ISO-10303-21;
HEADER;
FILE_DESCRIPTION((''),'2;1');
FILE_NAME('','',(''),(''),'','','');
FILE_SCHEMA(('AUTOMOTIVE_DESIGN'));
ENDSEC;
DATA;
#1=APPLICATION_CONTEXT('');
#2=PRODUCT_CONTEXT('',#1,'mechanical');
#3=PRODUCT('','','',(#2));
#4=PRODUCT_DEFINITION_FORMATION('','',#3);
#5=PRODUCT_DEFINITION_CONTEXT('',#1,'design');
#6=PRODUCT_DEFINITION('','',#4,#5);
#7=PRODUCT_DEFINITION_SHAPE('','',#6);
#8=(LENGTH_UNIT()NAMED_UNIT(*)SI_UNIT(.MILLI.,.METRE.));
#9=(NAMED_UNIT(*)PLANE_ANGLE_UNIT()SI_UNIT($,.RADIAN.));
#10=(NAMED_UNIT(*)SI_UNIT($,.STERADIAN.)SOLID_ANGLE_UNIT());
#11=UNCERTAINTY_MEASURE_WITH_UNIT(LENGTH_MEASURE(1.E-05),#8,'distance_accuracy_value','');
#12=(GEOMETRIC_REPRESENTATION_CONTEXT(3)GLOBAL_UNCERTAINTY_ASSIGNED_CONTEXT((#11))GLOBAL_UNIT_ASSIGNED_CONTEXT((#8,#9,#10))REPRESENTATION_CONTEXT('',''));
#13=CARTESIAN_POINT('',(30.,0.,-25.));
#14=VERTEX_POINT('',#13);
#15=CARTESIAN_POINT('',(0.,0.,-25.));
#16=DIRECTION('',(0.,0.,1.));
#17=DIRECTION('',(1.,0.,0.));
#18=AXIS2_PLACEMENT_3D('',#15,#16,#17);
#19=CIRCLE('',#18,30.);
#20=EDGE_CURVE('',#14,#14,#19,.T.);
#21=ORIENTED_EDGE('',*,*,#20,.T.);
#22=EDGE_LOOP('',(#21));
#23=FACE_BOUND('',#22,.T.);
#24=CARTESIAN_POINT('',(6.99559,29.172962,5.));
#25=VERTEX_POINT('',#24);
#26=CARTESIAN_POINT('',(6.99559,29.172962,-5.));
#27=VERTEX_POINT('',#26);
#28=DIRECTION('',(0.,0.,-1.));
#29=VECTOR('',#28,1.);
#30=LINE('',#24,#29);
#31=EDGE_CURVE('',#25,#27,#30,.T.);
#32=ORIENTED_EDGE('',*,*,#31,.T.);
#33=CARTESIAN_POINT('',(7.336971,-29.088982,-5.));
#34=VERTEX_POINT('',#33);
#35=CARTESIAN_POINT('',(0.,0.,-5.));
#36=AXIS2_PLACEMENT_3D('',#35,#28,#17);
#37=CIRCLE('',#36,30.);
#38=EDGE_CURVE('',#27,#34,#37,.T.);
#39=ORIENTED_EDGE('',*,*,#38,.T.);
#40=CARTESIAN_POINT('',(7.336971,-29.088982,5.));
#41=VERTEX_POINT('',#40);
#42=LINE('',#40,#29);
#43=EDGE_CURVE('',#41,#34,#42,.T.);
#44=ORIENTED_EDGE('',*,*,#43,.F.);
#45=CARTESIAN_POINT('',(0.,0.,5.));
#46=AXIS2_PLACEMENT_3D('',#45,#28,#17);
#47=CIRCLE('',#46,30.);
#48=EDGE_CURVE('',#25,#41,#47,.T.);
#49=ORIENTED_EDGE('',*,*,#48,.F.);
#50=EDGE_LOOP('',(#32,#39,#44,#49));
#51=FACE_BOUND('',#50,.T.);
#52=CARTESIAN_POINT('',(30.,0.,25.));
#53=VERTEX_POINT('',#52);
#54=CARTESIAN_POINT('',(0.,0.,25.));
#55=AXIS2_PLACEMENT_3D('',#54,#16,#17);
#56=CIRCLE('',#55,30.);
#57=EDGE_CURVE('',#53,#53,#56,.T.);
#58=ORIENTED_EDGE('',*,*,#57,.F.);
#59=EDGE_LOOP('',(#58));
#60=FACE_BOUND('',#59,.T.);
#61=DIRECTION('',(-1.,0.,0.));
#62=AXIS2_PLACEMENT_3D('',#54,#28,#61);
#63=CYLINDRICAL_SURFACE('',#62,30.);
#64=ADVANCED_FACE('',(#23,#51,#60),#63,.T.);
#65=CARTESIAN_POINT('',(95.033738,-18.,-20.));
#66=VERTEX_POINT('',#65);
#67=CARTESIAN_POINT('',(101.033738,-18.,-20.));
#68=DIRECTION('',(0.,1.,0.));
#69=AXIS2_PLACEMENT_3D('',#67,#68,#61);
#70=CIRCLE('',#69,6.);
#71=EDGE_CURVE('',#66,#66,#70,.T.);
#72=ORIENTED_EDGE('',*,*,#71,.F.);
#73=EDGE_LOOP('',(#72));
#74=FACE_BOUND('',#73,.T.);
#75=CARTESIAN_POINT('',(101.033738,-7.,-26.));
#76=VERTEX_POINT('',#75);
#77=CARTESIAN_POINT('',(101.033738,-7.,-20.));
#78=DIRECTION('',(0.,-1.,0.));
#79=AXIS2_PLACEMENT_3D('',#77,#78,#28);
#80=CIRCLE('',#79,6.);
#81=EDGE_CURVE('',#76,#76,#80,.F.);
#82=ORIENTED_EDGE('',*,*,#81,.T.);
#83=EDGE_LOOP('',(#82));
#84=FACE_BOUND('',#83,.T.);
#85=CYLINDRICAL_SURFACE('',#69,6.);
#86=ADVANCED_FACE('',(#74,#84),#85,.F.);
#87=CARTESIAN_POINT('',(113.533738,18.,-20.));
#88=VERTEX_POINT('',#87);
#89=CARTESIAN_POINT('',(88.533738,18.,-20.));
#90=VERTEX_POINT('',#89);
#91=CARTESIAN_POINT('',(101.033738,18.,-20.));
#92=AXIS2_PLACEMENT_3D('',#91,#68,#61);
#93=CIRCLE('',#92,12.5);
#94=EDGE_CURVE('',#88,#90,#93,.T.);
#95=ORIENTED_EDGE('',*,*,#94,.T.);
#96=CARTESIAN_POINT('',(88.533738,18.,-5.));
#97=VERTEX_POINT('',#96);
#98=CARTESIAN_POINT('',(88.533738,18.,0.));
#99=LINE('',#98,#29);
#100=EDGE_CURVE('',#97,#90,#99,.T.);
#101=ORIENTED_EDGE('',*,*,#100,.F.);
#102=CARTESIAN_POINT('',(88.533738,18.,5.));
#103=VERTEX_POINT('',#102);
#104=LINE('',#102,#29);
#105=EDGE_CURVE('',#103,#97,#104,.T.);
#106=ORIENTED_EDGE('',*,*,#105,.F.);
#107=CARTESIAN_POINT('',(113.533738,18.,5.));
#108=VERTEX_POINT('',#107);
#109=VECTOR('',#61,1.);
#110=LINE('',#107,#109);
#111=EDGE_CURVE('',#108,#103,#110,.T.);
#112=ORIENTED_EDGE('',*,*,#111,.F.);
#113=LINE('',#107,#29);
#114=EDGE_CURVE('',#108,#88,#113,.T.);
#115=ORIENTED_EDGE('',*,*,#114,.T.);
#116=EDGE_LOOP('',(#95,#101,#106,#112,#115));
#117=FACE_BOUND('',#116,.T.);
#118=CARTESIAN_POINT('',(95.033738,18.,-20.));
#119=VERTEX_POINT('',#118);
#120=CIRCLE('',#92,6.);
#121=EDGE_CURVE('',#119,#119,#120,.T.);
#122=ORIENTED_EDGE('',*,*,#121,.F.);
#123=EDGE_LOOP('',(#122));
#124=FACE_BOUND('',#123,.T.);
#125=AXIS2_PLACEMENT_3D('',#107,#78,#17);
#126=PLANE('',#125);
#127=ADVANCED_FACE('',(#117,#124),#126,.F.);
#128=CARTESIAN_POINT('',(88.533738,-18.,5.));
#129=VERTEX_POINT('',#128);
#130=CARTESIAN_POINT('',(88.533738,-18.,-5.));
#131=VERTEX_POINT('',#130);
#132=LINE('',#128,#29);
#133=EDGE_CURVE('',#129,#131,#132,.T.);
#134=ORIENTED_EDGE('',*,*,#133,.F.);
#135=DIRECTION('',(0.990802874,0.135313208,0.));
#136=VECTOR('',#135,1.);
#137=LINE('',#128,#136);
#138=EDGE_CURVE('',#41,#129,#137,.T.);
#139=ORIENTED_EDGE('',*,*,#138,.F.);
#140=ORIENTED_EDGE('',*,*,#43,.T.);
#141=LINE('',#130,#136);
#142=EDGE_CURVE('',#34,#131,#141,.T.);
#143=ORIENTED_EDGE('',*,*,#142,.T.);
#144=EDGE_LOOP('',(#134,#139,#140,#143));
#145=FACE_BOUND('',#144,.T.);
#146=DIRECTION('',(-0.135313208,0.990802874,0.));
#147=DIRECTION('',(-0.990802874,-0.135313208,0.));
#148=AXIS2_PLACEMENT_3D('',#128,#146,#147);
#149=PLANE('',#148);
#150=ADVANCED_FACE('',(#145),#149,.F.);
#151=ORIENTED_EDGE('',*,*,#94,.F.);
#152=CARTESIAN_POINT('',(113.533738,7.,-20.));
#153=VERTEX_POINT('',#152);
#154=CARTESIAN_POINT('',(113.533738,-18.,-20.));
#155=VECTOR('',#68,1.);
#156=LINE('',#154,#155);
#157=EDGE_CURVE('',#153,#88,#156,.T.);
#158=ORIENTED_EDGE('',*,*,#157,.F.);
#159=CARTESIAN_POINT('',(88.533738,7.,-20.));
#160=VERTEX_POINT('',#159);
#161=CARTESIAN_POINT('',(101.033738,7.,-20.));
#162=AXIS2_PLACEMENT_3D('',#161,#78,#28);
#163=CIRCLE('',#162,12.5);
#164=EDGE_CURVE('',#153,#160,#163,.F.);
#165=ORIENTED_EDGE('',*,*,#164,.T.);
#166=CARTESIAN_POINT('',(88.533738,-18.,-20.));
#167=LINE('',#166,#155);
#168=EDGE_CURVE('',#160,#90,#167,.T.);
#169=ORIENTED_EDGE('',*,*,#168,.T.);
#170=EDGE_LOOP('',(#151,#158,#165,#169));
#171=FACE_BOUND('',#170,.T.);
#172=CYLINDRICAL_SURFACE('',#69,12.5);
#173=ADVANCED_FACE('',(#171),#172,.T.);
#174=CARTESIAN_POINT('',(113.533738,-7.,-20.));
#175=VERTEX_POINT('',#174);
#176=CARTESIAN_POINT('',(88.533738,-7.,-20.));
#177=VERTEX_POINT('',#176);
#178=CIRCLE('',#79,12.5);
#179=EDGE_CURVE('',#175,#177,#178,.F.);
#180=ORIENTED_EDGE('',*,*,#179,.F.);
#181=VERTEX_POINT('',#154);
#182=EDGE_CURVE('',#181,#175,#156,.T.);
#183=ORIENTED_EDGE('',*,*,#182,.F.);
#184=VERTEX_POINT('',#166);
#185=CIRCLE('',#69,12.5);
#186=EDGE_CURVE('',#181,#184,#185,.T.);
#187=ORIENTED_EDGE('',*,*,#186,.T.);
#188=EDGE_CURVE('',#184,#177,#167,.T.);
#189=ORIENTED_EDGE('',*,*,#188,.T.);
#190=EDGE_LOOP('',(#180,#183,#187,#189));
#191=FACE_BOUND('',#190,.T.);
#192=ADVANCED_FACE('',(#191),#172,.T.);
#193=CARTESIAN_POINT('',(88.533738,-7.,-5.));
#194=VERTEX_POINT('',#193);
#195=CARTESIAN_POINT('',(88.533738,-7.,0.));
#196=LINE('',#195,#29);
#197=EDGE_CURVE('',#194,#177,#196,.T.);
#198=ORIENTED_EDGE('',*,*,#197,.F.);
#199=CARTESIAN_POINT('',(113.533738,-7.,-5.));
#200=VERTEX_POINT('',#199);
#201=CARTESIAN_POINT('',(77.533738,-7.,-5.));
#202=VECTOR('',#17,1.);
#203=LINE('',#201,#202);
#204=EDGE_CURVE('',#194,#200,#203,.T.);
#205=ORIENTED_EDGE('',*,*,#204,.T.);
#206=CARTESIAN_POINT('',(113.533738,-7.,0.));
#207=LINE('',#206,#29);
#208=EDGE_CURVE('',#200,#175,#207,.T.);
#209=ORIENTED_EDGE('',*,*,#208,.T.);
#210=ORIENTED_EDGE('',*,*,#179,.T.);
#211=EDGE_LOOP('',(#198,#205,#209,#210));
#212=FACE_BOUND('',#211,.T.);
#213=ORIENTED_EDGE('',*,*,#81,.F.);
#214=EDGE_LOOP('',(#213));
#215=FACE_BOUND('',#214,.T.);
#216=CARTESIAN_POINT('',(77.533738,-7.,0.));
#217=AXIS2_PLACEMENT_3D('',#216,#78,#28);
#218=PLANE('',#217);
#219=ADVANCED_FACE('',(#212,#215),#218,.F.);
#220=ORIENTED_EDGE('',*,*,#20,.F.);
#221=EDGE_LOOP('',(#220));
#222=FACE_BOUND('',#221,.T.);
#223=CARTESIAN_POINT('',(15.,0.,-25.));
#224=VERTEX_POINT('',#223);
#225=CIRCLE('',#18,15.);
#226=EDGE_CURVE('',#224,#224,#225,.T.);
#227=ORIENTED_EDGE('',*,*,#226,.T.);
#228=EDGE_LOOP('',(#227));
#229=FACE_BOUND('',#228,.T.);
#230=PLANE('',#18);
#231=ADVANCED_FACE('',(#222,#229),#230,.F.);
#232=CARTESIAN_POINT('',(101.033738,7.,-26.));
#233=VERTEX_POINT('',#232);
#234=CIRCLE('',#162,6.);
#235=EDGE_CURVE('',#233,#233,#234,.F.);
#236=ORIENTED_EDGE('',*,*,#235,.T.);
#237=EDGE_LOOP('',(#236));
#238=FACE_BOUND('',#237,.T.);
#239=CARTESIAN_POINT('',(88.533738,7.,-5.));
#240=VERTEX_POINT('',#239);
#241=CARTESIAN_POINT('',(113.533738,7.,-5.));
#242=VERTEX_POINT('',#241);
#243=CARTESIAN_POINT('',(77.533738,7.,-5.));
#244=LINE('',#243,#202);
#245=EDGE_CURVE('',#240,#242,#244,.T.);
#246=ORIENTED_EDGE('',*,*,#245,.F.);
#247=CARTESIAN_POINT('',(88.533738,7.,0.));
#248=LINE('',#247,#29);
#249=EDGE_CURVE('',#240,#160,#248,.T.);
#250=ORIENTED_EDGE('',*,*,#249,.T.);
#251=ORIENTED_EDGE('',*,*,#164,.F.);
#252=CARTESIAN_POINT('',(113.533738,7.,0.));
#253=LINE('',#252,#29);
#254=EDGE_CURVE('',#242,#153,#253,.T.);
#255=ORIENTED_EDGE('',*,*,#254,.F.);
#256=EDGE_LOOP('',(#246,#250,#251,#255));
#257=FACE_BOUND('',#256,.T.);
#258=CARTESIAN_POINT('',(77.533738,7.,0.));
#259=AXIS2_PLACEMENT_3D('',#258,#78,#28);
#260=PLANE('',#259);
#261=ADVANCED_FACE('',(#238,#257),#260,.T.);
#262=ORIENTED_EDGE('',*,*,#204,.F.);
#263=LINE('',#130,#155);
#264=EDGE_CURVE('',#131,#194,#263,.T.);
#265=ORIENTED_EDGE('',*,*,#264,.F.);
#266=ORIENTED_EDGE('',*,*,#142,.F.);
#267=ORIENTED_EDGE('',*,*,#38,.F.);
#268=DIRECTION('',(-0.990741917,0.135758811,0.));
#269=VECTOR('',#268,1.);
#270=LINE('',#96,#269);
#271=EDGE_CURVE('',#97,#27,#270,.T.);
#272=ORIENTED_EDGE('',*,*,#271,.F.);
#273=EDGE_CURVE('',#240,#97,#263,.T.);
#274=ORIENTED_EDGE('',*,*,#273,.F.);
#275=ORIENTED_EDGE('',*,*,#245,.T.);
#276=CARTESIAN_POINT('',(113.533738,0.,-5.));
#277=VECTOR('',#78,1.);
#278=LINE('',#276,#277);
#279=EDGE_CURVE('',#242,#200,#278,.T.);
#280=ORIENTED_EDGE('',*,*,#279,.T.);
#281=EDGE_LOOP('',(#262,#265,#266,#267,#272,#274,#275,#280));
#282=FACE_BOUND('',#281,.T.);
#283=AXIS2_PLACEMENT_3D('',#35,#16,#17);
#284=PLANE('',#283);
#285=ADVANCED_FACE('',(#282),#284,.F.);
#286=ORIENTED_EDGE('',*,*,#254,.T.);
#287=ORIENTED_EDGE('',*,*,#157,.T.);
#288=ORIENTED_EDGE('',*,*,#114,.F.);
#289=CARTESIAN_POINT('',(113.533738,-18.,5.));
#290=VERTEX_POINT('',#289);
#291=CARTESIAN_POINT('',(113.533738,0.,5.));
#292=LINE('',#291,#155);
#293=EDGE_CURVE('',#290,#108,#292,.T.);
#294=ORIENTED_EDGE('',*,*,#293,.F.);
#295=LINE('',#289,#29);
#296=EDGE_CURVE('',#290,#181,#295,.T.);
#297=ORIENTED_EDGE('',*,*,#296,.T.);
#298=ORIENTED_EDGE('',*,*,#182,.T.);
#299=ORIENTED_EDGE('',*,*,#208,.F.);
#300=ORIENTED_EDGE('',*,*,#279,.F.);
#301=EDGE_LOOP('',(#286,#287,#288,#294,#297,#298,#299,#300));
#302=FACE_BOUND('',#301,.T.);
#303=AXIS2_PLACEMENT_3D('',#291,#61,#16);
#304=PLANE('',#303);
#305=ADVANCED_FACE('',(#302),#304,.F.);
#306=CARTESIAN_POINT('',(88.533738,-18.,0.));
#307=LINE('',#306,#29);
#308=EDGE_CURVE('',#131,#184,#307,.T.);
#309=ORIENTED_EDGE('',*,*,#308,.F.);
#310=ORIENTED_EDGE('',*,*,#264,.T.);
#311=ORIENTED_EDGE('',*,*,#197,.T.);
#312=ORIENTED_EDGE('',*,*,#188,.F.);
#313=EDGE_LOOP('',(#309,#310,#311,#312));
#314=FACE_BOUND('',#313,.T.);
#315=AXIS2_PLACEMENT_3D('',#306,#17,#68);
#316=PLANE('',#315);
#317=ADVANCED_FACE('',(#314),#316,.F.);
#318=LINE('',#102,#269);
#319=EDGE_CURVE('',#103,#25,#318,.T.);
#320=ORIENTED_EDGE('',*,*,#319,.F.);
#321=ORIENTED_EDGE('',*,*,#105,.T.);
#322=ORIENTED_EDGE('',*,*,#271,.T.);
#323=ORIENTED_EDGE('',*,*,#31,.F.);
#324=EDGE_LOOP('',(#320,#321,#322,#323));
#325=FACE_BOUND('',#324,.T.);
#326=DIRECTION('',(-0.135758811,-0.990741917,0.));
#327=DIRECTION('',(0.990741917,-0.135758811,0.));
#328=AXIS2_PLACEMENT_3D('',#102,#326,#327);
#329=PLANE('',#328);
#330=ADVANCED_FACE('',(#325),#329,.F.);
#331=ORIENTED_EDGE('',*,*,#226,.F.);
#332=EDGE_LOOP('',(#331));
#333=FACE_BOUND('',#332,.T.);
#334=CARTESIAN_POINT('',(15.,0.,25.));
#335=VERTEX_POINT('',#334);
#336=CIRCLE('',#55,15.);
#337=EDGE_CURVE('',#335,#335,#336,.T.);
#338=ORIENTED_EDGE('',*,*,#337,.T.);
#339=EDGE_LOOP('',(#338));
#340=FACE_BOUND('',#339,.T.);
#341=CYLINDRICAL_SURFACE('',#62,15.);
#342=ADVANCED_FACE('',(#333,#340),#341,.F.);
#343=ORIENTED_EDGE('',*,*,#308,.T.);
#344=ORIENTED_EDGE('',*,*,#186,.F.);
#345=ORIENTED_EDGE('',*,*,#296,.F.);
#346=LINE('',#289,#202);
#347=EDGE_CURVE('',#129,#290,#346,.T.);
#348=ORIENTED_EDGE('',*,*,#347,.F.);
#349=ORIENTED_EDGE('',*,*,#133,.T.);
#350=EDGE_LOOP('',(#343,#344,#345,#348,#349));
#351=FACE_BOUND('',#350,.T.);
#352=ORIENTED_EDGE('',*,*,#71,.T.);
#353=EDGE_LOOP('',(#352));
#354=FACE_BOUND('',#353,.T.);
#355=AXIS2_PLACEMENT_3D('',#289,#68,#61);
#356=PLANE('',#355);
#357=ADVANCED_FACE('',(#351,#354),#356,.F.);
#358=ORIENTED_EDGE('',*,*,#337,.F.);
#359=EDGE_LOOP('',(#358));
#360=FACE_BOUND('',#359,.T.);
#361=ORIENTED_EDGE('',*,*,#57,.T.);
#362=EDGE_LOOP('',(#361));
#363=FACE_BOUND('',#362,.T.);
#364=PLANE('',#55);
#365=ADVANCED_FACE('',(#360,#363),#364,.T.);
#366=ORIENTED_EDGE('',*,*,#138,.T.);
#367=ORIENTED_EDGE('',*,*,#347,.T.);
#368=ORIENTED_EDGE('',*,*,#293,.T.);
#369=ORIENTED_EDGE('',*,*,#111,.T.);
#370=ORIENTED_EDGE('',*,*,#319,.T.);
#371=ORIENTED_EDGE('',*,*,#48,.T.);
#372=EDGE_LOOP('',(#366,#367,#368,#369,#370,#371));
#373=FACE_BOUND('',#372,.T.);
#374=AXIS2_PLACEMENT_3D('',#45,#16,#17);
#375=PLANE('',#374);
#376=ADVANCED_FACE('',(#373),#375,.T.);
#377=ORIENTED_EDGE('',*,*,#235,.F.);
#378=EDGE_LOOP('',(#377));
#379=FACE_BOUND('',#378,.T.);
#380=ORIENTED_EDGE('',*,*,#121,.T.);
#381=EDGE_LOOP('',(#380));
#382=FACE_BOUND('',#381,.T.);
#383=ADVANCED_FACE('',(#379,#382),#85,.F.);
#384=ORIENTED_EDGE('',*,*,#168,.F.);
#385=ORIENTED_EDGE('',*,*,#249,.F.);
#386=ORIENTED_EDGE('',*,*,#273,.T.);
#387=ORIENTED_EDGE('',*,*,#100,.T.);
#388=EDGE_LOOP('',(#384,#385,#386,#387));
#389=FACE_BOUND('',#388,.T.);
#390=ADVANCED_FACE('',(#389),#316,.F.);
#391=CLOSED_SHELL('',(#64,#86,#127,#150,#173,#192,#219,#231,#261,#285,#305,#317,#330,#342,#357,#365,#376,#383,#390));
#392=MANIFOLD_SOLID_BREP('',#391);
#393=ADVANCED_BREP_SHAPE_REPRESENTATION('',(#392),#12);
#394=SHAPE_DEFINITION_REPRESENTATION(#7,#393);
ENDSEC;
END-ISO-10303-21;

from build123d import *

# Parameters (mm, degrees)
SKETCH2_R           = 30
SKETCH2_R_2         = 15
BOSS_EXTRUDE1_DEPTH = 25
BOSS_EXTRUDE2_DEPTH = 5
SKETCH4_R           = 6
BOSS_EXTRUDE3_DEPTH = 36
SKETCH5_W           = 15
SKETCH5_H           = 7
CUT_EXTRUDE1_DEPTH  = 36


with BuildPart() as part:
    # Sketch2 → Boss-Extrude1 (new body, symmetric)
    with BuildSketch(Plane.XY):
        Circle(SKETCH2_R)
        Circle(SKETCH2_R_2, mode=Mode.SUBTRACT)
    extrude(amount=BOSS_EXTRUDE1_DEPTH, both=True)

    # Sketch3 → Boss-Extrude2 (add, symmetric)
    with BuildSketch(Plane.XY):
        with BuildLine():
            Line((113.533737607, 0), (113.533737607, 18))
            Line((113.533737607, 18), (88.533737607, 18))
            Line((88.533737607, 18), (6.995589774, 29.172962203))
            ThreePointArc((6.995589774, 29.172962203), (29.999485022, 0.175779521), (7.336970855, -29.08898174))
            Line((7.336970855, -29.08898174), (88.533737607, -18))
            Line((88.533737607, -18), (113.533737607, -18))
            Line((113.533737607, -18), (113.533737607, 0))
        make_face()
    extrude(amount=BOSS_EXTRUDE2_DEPTH, both=True)

    # Sketch4 → Boss-Extrude3 (add)
    with BuildSketch(Plane(origin=(0, 18, 0), x_dir=(1, 0, 0), z_dir=(0, 1, 0))):
        with BuildLine():
            Line((88.533737607, 20), (88.533737607, 5))
            Line((88.533737607, 5), (113.533737607, 5))
            Line((113.533737607, 5), (113.533737607, 20))
            ThreePointArc((113.533737607, 20), (101.033737607, 32.5), (88.533737607, 20))
        make_face()
        with Locations(Location((101.033737607, 20, 0), (0, 0, 180))):  # turned: the seam where the file's is
            Circle(SKETCH4_R, mode=Mode.SUBTRACT)
    extrude(amount=-BOSS_EXTRUDE3_DEPTH)

    # Sketch5 → Cut-Extrude1 (cut)
    with BuildSketch(Plane(origin=(113.533737607, 0, 0), x_dir=(0, 0, -1), z_dir=(1, 0, 0))):
        with Locations((12.5, -3.5)):
            Rectangle(SKETCH5_W, SKETCH5_H)
        with Locations((12.5, 3.5)):
            Rectangle(SKETCH5_W, SKETCH5_H)
        Polygon((20, 7), (20, 0), (31.178860048, 0), (40, 0), (40, 7), align=None)
        Polygon((31.178860048, 0), (20, 0), (20, -7), (40, -7), (40, 0), align=None)
    extrude(amount=-CUT_EXTRUDE1_DEPTH, mode=Mode.SUBTRACT)


solid = part.part
